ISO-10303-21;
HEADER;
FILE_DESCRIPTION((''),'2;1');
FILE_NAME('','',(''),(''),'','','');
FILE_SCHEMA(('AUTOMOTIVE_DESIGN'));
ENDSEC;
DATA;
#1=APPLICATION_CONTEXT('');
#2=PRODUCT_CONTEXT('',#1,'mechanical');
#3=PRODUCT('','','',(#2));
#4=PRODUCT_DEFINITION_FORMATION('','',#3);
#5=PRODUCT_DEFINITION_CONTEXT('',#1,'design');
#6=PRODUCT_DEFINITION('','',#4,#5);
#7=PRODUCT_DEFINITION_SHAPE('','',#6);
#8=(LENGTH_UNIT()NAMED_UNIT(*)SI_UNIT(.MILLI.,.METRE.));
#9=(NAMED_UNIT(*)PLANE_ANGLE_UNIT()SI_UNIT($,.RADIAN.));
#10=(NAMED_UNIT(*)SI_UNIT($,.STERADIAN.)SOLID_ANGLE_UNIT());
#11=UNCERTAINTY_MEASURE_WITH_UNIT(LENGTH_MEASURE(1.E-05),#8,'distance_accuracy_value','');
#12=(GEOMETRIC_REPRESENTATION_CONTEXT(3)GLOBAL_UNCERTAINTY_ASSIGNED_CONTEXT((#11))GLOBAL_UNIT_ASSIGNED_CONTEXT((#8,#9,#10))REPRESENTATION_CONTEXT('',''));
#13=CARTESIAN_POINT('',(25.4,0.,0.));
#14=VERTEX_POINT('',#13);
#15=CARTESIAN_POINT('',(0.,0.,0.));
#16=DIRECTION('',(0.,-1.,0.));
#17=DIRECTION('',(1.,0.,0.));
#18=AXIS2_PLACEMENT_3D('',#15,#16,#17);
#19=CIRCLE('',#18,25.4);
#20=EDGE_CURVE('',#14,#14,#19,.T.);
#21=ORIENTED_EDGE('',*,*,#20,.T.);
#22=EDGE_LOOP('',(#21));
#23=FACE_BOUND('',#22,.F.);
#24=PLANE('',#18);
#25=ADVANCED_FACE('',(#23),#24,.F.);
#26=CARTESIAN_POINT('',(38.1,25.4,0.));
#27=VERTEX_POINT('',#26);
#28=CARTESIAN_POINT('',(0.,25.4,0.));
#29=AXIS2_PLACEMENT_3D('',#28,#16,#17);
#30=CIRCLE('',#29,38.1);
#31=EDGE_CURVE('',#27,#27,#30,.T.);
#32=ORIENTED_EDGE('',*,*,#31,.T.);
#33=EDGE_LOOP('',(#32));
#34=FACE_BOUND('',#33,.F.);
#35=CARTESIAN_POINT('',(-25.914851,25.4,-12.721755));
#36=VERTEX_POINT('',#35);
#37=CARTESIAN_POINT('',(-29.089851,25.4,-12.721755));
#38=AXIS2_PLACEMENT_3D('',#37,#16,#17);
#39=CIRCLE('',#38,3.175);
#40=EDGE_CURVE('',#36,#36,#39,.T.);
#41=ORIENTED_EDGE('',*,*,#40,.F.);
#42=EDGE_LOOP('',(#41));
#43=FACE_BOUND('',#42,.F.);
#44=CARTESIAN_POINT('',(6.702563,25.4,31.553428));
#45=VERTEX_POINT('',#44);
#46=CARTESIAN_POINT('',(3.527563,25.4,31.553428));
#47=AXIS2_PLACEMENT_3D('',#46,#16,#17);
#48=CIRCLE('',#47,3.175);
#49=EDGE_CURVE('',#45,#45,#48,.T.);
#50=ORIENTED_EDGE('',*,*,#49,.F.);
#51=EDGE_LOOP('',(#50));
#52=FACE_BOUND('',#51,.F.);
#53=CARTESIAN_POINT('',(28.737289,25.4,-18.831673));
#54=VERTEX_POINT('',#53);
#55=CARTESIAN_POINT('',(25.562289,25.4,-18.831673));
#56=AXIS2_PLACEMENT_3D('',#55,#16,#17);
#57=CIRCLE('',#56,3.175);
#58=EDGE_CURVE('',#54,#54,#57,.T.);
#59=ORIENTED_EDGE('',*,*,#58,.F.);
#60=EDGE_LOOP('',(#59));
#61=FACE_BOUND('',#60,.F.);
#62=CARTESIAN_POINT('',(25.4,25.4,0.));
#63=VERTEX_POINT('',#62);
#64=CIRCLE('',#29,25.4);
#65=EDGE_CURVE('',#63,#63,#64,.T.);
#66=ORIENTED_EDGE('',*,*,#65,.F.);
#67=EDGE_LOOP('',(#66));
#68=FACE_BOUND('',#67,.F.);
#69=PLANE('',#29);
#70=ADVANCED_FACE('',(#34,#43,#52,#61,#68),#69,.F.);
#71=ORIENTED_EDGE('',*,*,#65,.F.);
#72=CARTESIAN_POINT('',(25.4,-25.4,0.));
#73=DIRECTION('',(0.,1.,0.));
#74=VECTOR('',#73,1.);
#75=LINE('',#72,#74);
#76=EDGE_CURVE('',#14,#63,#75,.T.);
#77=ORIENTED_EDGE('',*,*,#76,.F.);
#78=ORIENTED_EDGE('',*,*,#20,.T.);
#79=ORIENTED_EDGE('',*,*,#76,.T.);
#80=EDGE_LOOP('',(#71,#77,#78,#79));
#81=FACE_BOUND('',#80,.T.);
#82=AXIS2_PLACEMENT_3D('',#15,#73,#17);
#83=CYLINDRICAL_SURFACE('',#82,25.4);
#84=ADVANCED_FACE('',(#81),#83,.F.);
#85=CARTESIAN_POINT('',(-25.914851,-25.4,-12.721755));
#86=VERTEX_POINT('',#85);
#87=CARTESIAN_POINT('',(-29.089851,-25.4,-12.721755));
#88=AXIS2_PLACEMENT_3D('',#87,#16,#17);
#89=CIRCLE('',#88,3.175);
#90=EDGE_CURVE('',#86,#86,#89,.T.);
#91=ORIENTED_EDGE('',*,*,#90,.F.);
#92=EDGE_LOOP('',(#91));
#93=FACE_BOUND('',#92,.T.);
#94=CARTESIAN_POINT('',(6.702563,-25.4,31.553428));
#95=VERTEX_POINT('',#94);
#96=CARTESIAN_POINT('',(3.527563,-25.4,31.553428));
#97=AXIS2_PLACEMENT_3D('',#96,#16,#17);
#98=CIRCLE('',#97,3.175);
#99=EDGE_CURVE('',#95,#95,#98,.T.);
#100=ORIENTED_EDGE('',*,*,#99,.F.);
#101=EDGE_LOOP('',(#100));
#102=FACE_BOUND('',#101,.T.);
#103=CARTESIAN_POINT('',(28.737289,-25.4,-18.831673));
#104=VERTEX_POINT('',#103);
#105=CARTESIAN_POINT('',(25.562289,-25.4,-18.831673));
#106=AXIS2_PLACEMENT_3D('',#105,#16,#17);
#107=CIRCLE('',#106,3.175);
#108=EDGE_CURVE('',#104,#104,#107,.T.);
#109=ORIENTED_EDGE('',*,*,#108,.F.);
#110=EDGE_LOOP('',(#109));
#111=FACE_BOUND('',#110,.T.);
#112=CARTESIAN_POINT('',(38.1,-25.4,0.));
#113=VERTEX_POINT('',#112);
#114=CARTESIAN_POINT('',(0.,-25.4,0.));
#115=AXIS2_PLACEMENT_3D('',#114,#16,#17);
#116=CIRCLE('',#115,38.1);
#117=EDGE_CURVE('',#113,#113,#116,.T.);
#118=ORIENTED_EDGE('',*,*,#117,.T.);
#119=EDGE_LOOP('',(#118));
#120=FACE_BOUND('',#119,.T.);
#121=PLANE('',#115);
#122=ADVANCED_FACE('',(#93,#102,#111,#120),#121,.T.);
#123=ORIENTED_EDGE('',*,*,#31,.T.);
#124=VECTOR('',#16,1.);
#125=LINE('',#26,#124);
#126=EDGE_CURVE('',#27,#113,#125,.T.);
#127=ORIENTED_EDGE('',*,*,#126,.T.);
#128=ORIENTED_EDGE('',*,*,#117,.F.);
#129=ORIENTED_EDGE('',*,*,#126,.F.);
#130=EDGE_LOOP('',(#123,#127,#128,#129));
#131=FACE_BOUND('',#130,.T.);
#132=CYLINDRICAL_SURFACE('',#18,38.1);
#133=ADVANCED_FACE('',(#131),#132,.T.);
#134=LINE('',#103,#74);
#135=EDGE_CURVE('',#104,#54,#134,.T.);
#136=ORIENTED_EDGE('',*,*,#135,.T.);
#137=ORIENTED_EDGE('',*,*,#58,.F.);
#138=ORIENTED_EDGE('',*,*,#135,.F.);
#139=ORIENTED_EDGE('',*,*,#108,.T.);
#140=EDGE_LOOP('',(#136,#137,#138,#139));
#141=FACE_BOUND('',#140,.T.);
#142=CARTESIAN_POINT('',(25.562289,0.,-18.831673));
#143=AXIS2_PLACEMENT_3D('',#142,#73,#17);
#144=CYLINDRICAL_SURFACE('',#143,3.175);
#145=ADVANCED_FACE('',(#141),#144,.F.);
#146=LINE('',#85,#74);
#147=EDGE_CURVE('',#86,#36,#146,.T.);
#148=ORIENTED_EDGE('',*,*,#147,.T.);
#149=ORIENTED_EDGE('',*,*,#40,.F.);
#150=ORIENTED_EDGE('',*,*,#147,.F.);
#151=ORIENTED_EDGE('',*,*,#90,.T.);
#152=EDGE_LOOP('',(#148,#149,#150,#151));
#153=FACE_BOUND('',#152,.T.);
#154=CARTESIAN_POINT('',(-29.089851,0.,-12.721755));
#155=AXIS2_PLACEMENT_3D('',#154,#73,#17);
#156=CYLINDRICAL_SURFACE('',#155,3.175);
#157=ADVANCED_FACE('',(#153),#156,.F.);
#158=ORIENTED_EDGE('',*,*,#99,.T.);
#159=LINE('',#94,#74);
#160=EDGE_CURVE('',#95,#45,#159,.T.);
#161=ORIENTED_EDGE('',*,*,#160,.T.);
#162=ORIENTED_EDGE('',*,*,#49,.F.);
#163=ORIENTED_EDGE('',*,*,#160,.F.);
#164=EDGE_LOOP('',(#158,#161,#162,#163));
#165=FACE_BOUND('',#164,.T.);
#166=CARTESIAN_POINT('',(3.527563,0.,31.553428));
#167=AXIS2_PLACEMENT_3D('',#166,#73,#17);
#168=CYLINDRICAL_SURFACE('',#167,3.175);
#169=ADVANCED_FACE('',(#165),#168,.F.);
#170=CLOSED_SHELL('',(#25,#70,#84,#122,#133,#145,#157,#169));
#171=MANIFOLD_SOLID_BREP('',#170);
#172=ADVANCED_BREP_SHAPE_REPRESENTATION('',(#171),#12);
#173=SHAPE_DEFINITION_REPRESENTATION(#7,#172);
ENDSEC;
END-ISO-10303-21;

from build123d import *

# Parameters (mm, degrees)
F0_R     = 38.1
F0_R_2   = 3.175
F0_R_3   = 25.4
F1_DEPTH = 25.4
F2_DEPTH = 25.4


with BuildPart() as f1:
    # F0 (on Front) → F1 (new body, symmetric)
    with BuildSketch(Plane.XZ):
        Circle(F0_R)
        with Locations((-29.089851, -12.721755)):
            Circle(F0_R_2, mode=Mode.SUBTRACT)
        with Locations((25.562289, -18.831673)):
            Circle(F0_R_2, mode=Mode.SUBTRACT)
        Circle(F0_R_3, mode=Mode.SUBTRACT)
        with Locations((3.527563, 31.553428)):
            Circle(F0_R_2, mode=Mode.SUBTRACT)
    extrude(amount=F1_DEPTH, both=True)

    # F0 (on Front) → F2 (join, through all)
    with BuildSketch(Plane.XZ):
        Circle(F0_R_3)
    extrude(amount=F2_DEPTH)


solid = f1.part
